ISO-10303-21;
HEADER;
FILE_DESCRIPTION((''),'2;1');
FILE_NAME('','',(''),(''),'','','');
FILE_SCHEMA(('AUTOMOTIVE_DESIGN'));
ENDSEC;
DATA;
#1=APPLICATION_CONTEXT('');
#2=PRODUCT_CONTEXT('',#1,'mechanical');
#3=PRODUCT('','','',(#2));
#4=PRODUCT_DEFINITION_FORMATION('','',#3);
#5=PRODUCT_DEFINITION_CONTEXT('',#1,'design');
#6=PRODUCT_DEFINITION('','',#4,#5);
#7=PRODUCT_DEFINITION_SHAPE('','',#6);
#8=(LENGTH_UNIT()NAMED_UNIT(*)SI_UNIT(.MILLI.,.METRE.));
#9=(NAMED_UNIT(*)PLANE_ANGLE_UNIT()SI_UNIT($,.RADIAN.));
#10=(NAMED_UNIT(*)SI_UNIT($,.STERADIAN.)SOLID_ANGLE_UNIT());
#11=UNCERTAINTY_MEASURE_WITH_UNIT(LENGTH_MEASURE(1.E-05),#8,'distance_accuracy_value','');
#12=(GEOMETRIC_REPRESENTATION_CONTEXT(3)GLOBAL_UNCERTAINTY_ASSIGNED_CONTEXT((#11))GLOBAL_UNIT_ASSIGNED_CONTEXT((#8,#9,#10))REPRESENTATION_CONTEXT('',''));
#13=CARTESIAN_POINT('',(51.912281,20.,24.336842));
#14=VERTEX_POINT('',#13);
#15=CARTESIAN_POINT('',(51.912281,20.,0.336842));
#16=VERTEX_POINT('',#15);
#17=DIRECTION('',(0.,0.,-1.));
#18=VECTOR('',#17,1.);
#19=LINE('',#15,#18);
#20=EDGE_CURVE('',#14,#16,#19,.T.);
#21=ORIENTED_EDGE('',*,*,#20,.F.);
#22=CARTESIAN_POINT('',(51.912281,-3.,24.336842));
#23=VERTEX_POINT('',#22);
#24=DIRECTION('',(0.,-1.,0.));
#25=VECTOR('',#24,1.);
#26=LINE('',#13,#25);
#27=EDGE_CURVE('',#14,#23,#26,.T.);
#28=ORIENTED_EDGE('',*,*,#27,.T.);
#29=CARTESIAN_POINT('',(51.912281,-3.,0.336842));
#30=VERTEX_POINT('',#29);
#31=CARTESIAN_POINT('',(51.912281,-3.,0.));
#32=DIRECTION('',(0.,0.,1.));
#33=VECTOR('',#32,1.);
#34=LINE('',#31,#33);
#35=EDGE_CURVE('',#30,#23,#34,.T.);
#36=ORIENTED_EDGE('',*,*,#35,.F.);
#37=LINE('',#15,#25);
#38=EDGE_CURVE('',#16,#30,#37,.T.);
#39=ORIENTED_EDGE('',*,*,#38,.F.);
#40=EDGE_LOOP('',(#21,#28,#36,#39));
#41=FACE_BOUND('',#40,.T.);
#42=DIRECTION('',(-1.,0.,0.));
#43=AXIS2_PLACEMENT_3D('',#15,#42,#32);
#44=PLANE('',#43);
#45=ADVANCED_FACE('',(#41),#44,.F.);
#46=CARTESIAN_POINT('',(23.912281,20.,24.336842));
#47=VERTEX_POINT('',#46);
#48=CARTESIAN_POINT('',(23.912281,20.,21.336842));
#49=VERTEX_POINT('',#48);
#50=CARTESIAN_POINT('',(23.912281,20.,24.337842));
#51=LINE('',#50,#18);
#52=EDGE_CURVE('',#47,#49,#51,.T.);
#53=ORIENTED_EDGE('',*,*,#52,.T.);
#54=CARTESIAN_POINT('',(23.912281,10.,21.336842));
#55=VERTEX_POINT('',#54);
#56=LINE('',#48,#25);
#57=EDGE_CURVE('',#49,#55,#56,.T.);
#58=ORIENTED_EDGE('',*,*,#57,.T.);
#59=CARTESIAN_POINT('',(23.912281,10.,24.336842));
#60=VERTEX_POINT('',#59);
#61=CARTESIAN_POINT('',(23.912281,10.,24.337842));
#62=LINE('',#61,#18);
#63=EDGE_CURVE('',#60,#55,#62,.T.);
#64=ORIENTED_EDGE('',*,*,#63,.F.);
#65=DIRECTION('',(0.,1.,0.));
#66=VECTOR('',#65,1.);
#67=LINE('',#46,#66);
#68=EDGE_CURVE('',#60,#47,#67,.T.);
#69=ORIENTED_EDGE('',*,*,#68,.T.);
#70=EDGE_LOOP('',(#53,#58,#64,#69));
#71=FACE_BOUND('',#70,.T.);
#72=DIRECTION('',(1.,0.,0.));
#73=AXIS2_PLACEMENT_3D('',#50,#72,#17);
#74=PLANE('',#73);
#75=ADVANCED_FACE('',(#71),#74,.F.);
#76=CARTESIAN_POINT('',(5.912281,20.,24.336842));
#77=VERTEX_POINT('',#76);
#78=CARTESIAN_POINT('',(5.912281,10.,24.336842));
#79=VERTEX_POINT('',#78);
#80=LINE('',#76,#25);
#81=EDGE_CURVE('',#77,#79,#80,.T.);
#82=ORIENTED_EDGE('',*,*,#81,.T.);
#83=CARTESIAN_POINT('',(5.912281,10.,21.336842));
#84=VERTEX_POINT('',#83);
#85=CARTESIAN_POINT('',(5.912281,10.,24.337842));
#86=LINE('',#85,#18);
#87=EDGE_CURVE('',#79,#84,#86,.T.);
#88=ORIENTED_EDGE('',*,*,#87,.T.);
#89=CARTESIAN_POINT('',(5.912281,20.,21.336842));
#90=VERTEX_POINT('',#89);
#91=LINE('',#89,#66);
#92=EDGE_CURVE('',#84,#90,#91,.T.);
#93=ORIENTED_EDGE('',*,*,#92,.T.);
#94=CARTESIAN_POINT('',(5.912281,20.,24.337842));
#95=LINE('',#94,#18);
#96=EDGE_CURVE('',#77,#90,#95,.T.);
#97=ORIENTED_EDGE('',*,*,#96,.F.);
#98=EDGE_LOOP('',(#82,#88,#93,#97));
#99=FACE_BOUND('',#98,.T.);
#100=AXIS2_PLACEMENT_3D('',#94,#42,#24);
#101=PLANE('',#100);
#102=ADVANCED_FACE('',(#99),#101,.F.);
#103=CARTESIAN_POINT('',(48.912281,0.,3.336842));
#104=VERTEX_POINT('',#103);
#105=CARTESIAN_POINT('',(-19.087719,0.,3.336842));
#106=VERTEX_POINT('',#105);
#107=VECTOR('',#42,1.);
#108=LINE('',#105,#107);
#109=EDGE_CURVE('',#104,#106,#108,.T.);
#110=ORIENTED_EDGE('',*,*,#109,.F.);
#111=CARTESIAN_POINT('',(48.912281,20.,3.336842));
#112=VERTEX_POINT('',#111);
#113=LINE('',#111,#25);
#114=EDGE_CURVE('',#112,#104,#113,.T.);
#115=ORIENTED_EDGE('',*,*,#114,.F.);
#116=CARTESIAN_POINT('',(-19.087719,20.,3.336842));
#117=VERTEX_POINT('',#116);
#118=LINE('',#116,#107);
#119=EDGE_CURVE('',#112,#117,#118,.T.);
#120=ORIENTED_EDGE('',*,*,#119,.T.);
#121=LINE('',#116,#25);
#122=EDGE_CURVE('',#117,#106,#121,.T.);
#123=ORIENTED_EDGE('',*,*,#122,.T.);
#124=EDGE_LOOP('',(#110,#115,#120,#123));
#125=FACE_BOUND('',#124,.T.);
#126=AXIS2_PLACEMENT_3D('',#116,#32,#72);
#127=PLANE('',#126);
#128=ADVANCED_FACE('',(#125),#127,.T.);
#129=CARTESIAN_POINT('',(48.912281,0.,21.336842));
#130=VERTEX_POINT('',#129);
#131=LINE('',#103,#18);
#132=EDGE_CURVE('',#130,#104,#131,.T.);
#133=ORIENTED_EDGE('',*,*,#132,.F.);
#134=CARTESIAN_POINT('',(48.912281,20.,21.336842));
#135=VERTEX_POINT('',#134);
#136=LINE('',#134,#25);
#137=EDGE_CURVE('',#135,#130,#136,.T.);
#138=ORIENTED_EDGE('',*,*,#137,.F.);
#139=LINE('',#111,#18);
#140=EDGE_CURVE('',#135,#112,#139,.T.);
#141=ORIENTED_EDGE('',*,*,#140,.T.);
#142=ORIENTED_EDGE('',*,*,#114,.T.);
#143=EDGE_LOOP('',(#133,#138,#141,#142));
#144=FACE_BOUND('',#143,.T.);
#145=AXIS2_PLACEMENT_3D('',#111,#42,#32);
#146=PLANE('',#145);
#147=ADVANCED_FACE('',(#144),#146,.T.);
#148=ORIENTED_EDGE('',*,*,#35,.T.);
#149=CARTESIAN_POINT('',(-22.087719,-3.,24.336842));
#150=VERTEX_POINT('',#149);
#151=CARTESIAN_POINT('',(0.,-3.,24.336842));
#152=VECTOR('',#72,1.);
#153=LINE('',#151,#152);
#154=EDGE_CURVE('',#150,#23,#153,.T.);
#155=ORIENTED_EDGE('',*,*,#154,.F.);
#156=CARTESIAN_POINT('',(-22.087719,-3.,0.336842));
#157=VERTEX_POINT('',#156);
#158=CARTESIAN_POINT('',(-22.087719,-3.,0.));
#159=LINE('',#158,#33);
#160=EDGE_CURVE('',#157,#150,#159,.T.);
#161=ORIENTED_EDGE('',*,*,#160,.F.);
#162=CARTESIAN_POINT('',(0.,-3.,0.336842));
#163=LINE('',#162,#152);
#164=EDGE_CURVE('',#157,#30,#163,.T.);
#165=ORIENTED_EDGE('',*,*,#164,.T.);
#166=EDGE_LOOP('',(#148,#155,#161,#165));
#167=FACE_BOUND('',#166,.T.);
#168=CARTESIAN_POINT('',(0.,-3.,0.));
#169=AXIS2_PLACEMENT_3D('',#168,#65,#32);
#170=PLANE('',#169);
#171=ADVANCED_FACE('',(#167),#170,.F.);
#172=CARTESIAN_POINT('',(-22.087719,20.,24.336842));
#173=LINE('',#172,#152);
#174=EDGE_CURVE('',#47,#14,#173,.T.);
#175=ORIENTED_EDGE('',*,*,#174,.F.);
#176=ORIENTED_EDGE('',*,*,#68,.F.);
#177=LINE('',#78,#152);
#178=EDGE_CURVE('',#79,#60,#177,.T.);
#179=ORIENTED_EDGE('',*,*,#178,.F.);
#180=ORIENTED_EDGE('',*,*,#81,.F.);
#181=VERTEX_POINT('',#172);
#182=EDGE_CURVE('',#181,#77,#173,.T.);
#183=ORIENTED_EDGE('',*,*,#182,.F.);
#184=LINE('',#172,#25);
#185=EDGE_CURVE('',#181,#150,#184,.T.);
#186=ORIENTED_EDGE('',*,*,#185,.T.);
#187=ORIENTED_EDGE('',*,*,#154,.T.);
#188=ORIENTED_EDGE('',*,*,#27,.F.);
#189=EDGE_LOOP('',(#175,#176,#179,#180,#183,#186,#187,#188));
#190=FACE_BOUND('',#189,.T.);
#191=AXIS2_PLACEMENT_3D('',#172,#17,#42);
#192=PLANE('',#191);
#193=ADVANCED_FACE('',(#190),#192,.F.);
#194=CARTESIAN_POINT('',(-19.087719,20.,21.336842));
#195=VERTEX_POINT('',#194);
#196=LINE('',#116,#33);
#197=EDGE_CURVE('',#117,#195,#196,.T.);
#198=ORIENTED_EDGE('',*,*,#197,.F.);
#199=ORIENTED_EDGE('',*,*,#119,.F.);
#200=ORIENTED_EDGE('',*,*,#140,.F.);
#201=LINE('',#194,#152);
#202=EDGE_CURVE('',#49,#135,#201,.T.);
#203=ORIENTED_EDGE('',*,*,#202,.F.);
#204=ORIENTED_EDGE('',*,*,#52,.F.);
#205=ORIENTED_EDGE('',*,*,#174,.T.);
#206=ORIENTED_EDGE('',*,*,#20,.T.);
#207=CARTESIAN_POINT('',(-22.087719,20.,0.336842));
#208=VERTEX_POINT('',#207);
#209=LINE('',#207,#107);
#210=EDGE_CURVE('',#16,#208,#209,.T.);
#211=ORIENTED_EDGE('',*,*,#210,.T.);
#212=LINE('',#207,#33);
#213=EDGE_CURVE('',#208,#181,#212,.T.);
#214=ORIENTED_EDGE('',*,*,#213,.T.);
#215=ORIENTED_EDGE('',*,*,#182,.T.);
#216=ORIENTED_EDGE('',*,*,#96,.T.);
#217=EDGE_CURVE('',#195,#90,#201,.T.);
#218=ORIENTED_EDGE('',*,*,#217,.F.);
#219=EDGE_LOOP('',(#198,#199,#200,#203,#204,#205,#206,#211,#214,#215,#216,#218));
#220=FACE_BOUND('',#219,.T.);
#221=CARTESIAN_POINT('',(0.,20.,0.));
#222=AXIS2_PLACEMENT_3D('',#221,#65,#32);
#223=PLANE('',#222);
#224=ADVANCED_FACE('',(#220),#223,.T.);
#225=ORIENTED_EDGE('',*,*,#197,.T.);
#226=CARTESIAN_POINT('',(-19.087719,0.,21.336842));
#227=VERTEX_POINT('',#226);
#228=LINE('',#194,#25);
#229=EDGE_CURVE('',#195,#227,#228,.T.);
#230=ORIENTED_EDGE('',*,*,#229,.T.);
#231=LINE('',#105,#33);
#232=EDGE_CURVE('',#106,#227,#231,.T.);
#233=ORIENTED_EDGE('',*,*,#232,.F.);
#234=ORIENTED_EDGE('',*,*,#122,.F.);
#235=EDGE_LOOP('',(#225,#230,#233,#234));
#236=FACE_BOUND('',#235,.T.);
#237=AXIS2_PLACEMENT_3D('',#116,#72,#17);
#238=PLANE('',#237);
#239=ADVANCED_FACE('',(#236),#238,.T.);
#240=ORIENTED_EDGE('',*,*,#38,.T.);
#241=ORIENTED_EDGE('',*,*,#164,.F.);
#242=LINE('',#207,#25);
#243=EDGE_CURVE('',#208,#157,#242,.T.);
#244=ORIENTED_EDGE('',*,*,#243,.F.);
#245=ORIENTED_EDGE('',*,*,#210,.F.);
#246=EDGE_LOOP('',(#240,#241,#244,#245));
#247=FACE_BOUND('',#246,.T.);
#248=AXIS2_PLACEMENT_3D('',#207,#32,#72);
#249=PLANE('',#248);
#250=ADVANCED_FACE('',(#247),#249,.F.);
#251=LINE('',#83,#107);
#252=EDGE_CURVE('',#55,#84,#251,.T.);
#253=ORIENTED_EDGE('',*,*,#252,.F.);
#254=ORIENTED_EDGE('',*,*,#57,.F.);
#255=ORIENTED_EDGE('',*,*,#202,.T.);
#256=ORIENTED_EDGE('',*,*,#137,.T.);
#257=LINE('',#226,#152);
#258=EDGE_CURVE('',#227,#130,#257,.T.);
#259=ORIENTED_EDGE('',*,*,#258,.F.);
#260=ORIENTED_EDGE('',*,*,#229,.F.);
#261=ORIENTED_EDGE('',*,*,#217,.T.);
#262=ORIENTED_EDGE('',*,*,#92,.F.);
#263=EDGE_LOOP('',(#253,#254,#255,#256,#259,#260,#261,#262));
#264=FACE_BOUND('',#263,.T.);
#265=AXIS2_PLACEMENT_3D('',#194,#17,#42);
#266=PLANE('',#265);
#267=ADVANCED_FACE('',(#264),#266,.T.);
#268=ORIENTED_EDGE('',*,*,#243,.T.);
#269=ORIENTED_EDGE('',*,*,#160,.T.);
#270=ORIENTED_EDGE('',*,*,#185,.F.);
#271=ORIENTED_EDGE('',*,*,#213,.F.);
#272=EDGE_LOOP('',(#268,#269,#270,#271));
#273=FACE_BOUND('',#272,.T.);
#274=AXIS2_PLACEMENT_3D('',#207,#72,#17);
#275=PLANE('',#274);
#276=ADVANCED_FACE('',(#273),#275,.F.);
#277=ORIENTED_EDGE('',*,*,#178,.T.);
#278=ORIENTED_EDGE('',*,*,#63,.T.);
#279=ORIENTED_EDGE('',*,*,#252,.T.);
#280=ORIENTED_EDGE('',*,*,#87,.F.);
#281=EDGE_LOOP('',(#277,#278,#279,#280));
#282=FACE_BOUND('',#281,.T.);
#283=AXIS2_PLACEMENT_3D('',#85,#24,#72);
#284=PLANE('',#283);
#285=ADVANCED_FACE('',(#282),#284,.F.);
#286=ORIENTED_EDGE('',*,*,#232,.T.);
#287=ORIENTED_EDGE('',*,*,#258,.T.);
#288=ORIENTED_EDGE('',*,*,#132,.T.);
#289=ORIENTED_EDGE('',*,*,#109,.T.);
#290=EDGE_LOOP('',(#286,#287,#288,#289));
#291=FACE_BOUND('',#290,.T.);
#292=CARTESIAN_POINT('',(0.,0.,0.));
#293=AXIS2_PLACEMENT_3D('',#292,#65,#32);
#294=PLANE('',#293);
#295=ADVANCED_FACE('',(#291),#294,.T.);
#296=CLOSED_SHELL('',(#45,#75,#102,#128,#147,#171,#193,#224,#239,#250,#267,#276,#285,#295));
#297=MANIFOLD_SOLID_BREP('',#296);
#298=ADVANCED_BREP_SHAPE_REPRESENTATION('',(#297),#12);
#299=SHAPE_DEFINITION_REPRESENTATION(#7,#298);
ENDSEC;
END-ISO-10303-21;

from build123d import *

# Parameters (mm, degrees)
SKETCH1_W           = 74
SKETCH1_H           = 24
SKETCH1_W_2         = 68
SKETCH1_H_2         = 18
BOSS_EXTRUDE1_DEPTH = 20
SKETCH1_3_W         = 74
SKETCH1_3_H         = 24
BOSS_EXTRUDE2_DEPTH = 3
CUT_EXTRUDE1_REACH  = 61.463
SKETCH4_W           = 18
SKETCH4_H           = 10


with BuildPart() as part:
    # Sketch1 → Boss-Extrude1 (new body)
    with BuildSketch(Plane(origin=(0, 0, 0), x_dir=(1, 0, 0), z_dir=(0, 1, 0))):
        with Locations((14.912280702, -12.336842105)):
            Rectangle(SKETCH1_W, SKETCH1_H)
        with Locations((14.912280702, -12.336842105)):
            Rectangle(SKETCH1_W_2, SKETCH1_H_2, mode=Mode.SUBTRACT)
    extrude(amount=BOSS_EXTRUDE1_DEPTH)

    # Sketch1<3> → Boss-Extrude2 (add)
    with BuildSketch(Plane(origin=(0, 0, 0), x_dir=(1, 0, 0), z_dir=(0, 1, 0))):
        with Locations((14.912280702, -12.336842105)):
            Rectangle(SKETCH1_3_W, SKETCH1_3_H)
    extrude(amount=-BOSS_EXTRUDE2_DEPTH)

    # Sketch4 → Cut-Extrude1 (cut, up to next)
    with BuildSketch(Plane(origin=(0, 0, 21.336842105), x_dir=(-1, 0, 0), z_dir=(0, 0, -1)), mode=Mode.PRIVATE) as cut_extrude1_sk1:
        with Locations((-14.912280702, 15)):
            Rectangle(SKETCH4_W, SKETCH4_H)
    cut_extrude1_tool1 = extrude(cut_extrude1_sk1.sketch, amount=-CUT_EXTRUDE1_REACH, mode=Mode.PRIVATE) & part.part
    add(cut_extrude1_tool1.solids().sort_by_distance((14.912281, 15, 21.336842))[0], mode=Mode.SUBTRACT)


solid = part.part
